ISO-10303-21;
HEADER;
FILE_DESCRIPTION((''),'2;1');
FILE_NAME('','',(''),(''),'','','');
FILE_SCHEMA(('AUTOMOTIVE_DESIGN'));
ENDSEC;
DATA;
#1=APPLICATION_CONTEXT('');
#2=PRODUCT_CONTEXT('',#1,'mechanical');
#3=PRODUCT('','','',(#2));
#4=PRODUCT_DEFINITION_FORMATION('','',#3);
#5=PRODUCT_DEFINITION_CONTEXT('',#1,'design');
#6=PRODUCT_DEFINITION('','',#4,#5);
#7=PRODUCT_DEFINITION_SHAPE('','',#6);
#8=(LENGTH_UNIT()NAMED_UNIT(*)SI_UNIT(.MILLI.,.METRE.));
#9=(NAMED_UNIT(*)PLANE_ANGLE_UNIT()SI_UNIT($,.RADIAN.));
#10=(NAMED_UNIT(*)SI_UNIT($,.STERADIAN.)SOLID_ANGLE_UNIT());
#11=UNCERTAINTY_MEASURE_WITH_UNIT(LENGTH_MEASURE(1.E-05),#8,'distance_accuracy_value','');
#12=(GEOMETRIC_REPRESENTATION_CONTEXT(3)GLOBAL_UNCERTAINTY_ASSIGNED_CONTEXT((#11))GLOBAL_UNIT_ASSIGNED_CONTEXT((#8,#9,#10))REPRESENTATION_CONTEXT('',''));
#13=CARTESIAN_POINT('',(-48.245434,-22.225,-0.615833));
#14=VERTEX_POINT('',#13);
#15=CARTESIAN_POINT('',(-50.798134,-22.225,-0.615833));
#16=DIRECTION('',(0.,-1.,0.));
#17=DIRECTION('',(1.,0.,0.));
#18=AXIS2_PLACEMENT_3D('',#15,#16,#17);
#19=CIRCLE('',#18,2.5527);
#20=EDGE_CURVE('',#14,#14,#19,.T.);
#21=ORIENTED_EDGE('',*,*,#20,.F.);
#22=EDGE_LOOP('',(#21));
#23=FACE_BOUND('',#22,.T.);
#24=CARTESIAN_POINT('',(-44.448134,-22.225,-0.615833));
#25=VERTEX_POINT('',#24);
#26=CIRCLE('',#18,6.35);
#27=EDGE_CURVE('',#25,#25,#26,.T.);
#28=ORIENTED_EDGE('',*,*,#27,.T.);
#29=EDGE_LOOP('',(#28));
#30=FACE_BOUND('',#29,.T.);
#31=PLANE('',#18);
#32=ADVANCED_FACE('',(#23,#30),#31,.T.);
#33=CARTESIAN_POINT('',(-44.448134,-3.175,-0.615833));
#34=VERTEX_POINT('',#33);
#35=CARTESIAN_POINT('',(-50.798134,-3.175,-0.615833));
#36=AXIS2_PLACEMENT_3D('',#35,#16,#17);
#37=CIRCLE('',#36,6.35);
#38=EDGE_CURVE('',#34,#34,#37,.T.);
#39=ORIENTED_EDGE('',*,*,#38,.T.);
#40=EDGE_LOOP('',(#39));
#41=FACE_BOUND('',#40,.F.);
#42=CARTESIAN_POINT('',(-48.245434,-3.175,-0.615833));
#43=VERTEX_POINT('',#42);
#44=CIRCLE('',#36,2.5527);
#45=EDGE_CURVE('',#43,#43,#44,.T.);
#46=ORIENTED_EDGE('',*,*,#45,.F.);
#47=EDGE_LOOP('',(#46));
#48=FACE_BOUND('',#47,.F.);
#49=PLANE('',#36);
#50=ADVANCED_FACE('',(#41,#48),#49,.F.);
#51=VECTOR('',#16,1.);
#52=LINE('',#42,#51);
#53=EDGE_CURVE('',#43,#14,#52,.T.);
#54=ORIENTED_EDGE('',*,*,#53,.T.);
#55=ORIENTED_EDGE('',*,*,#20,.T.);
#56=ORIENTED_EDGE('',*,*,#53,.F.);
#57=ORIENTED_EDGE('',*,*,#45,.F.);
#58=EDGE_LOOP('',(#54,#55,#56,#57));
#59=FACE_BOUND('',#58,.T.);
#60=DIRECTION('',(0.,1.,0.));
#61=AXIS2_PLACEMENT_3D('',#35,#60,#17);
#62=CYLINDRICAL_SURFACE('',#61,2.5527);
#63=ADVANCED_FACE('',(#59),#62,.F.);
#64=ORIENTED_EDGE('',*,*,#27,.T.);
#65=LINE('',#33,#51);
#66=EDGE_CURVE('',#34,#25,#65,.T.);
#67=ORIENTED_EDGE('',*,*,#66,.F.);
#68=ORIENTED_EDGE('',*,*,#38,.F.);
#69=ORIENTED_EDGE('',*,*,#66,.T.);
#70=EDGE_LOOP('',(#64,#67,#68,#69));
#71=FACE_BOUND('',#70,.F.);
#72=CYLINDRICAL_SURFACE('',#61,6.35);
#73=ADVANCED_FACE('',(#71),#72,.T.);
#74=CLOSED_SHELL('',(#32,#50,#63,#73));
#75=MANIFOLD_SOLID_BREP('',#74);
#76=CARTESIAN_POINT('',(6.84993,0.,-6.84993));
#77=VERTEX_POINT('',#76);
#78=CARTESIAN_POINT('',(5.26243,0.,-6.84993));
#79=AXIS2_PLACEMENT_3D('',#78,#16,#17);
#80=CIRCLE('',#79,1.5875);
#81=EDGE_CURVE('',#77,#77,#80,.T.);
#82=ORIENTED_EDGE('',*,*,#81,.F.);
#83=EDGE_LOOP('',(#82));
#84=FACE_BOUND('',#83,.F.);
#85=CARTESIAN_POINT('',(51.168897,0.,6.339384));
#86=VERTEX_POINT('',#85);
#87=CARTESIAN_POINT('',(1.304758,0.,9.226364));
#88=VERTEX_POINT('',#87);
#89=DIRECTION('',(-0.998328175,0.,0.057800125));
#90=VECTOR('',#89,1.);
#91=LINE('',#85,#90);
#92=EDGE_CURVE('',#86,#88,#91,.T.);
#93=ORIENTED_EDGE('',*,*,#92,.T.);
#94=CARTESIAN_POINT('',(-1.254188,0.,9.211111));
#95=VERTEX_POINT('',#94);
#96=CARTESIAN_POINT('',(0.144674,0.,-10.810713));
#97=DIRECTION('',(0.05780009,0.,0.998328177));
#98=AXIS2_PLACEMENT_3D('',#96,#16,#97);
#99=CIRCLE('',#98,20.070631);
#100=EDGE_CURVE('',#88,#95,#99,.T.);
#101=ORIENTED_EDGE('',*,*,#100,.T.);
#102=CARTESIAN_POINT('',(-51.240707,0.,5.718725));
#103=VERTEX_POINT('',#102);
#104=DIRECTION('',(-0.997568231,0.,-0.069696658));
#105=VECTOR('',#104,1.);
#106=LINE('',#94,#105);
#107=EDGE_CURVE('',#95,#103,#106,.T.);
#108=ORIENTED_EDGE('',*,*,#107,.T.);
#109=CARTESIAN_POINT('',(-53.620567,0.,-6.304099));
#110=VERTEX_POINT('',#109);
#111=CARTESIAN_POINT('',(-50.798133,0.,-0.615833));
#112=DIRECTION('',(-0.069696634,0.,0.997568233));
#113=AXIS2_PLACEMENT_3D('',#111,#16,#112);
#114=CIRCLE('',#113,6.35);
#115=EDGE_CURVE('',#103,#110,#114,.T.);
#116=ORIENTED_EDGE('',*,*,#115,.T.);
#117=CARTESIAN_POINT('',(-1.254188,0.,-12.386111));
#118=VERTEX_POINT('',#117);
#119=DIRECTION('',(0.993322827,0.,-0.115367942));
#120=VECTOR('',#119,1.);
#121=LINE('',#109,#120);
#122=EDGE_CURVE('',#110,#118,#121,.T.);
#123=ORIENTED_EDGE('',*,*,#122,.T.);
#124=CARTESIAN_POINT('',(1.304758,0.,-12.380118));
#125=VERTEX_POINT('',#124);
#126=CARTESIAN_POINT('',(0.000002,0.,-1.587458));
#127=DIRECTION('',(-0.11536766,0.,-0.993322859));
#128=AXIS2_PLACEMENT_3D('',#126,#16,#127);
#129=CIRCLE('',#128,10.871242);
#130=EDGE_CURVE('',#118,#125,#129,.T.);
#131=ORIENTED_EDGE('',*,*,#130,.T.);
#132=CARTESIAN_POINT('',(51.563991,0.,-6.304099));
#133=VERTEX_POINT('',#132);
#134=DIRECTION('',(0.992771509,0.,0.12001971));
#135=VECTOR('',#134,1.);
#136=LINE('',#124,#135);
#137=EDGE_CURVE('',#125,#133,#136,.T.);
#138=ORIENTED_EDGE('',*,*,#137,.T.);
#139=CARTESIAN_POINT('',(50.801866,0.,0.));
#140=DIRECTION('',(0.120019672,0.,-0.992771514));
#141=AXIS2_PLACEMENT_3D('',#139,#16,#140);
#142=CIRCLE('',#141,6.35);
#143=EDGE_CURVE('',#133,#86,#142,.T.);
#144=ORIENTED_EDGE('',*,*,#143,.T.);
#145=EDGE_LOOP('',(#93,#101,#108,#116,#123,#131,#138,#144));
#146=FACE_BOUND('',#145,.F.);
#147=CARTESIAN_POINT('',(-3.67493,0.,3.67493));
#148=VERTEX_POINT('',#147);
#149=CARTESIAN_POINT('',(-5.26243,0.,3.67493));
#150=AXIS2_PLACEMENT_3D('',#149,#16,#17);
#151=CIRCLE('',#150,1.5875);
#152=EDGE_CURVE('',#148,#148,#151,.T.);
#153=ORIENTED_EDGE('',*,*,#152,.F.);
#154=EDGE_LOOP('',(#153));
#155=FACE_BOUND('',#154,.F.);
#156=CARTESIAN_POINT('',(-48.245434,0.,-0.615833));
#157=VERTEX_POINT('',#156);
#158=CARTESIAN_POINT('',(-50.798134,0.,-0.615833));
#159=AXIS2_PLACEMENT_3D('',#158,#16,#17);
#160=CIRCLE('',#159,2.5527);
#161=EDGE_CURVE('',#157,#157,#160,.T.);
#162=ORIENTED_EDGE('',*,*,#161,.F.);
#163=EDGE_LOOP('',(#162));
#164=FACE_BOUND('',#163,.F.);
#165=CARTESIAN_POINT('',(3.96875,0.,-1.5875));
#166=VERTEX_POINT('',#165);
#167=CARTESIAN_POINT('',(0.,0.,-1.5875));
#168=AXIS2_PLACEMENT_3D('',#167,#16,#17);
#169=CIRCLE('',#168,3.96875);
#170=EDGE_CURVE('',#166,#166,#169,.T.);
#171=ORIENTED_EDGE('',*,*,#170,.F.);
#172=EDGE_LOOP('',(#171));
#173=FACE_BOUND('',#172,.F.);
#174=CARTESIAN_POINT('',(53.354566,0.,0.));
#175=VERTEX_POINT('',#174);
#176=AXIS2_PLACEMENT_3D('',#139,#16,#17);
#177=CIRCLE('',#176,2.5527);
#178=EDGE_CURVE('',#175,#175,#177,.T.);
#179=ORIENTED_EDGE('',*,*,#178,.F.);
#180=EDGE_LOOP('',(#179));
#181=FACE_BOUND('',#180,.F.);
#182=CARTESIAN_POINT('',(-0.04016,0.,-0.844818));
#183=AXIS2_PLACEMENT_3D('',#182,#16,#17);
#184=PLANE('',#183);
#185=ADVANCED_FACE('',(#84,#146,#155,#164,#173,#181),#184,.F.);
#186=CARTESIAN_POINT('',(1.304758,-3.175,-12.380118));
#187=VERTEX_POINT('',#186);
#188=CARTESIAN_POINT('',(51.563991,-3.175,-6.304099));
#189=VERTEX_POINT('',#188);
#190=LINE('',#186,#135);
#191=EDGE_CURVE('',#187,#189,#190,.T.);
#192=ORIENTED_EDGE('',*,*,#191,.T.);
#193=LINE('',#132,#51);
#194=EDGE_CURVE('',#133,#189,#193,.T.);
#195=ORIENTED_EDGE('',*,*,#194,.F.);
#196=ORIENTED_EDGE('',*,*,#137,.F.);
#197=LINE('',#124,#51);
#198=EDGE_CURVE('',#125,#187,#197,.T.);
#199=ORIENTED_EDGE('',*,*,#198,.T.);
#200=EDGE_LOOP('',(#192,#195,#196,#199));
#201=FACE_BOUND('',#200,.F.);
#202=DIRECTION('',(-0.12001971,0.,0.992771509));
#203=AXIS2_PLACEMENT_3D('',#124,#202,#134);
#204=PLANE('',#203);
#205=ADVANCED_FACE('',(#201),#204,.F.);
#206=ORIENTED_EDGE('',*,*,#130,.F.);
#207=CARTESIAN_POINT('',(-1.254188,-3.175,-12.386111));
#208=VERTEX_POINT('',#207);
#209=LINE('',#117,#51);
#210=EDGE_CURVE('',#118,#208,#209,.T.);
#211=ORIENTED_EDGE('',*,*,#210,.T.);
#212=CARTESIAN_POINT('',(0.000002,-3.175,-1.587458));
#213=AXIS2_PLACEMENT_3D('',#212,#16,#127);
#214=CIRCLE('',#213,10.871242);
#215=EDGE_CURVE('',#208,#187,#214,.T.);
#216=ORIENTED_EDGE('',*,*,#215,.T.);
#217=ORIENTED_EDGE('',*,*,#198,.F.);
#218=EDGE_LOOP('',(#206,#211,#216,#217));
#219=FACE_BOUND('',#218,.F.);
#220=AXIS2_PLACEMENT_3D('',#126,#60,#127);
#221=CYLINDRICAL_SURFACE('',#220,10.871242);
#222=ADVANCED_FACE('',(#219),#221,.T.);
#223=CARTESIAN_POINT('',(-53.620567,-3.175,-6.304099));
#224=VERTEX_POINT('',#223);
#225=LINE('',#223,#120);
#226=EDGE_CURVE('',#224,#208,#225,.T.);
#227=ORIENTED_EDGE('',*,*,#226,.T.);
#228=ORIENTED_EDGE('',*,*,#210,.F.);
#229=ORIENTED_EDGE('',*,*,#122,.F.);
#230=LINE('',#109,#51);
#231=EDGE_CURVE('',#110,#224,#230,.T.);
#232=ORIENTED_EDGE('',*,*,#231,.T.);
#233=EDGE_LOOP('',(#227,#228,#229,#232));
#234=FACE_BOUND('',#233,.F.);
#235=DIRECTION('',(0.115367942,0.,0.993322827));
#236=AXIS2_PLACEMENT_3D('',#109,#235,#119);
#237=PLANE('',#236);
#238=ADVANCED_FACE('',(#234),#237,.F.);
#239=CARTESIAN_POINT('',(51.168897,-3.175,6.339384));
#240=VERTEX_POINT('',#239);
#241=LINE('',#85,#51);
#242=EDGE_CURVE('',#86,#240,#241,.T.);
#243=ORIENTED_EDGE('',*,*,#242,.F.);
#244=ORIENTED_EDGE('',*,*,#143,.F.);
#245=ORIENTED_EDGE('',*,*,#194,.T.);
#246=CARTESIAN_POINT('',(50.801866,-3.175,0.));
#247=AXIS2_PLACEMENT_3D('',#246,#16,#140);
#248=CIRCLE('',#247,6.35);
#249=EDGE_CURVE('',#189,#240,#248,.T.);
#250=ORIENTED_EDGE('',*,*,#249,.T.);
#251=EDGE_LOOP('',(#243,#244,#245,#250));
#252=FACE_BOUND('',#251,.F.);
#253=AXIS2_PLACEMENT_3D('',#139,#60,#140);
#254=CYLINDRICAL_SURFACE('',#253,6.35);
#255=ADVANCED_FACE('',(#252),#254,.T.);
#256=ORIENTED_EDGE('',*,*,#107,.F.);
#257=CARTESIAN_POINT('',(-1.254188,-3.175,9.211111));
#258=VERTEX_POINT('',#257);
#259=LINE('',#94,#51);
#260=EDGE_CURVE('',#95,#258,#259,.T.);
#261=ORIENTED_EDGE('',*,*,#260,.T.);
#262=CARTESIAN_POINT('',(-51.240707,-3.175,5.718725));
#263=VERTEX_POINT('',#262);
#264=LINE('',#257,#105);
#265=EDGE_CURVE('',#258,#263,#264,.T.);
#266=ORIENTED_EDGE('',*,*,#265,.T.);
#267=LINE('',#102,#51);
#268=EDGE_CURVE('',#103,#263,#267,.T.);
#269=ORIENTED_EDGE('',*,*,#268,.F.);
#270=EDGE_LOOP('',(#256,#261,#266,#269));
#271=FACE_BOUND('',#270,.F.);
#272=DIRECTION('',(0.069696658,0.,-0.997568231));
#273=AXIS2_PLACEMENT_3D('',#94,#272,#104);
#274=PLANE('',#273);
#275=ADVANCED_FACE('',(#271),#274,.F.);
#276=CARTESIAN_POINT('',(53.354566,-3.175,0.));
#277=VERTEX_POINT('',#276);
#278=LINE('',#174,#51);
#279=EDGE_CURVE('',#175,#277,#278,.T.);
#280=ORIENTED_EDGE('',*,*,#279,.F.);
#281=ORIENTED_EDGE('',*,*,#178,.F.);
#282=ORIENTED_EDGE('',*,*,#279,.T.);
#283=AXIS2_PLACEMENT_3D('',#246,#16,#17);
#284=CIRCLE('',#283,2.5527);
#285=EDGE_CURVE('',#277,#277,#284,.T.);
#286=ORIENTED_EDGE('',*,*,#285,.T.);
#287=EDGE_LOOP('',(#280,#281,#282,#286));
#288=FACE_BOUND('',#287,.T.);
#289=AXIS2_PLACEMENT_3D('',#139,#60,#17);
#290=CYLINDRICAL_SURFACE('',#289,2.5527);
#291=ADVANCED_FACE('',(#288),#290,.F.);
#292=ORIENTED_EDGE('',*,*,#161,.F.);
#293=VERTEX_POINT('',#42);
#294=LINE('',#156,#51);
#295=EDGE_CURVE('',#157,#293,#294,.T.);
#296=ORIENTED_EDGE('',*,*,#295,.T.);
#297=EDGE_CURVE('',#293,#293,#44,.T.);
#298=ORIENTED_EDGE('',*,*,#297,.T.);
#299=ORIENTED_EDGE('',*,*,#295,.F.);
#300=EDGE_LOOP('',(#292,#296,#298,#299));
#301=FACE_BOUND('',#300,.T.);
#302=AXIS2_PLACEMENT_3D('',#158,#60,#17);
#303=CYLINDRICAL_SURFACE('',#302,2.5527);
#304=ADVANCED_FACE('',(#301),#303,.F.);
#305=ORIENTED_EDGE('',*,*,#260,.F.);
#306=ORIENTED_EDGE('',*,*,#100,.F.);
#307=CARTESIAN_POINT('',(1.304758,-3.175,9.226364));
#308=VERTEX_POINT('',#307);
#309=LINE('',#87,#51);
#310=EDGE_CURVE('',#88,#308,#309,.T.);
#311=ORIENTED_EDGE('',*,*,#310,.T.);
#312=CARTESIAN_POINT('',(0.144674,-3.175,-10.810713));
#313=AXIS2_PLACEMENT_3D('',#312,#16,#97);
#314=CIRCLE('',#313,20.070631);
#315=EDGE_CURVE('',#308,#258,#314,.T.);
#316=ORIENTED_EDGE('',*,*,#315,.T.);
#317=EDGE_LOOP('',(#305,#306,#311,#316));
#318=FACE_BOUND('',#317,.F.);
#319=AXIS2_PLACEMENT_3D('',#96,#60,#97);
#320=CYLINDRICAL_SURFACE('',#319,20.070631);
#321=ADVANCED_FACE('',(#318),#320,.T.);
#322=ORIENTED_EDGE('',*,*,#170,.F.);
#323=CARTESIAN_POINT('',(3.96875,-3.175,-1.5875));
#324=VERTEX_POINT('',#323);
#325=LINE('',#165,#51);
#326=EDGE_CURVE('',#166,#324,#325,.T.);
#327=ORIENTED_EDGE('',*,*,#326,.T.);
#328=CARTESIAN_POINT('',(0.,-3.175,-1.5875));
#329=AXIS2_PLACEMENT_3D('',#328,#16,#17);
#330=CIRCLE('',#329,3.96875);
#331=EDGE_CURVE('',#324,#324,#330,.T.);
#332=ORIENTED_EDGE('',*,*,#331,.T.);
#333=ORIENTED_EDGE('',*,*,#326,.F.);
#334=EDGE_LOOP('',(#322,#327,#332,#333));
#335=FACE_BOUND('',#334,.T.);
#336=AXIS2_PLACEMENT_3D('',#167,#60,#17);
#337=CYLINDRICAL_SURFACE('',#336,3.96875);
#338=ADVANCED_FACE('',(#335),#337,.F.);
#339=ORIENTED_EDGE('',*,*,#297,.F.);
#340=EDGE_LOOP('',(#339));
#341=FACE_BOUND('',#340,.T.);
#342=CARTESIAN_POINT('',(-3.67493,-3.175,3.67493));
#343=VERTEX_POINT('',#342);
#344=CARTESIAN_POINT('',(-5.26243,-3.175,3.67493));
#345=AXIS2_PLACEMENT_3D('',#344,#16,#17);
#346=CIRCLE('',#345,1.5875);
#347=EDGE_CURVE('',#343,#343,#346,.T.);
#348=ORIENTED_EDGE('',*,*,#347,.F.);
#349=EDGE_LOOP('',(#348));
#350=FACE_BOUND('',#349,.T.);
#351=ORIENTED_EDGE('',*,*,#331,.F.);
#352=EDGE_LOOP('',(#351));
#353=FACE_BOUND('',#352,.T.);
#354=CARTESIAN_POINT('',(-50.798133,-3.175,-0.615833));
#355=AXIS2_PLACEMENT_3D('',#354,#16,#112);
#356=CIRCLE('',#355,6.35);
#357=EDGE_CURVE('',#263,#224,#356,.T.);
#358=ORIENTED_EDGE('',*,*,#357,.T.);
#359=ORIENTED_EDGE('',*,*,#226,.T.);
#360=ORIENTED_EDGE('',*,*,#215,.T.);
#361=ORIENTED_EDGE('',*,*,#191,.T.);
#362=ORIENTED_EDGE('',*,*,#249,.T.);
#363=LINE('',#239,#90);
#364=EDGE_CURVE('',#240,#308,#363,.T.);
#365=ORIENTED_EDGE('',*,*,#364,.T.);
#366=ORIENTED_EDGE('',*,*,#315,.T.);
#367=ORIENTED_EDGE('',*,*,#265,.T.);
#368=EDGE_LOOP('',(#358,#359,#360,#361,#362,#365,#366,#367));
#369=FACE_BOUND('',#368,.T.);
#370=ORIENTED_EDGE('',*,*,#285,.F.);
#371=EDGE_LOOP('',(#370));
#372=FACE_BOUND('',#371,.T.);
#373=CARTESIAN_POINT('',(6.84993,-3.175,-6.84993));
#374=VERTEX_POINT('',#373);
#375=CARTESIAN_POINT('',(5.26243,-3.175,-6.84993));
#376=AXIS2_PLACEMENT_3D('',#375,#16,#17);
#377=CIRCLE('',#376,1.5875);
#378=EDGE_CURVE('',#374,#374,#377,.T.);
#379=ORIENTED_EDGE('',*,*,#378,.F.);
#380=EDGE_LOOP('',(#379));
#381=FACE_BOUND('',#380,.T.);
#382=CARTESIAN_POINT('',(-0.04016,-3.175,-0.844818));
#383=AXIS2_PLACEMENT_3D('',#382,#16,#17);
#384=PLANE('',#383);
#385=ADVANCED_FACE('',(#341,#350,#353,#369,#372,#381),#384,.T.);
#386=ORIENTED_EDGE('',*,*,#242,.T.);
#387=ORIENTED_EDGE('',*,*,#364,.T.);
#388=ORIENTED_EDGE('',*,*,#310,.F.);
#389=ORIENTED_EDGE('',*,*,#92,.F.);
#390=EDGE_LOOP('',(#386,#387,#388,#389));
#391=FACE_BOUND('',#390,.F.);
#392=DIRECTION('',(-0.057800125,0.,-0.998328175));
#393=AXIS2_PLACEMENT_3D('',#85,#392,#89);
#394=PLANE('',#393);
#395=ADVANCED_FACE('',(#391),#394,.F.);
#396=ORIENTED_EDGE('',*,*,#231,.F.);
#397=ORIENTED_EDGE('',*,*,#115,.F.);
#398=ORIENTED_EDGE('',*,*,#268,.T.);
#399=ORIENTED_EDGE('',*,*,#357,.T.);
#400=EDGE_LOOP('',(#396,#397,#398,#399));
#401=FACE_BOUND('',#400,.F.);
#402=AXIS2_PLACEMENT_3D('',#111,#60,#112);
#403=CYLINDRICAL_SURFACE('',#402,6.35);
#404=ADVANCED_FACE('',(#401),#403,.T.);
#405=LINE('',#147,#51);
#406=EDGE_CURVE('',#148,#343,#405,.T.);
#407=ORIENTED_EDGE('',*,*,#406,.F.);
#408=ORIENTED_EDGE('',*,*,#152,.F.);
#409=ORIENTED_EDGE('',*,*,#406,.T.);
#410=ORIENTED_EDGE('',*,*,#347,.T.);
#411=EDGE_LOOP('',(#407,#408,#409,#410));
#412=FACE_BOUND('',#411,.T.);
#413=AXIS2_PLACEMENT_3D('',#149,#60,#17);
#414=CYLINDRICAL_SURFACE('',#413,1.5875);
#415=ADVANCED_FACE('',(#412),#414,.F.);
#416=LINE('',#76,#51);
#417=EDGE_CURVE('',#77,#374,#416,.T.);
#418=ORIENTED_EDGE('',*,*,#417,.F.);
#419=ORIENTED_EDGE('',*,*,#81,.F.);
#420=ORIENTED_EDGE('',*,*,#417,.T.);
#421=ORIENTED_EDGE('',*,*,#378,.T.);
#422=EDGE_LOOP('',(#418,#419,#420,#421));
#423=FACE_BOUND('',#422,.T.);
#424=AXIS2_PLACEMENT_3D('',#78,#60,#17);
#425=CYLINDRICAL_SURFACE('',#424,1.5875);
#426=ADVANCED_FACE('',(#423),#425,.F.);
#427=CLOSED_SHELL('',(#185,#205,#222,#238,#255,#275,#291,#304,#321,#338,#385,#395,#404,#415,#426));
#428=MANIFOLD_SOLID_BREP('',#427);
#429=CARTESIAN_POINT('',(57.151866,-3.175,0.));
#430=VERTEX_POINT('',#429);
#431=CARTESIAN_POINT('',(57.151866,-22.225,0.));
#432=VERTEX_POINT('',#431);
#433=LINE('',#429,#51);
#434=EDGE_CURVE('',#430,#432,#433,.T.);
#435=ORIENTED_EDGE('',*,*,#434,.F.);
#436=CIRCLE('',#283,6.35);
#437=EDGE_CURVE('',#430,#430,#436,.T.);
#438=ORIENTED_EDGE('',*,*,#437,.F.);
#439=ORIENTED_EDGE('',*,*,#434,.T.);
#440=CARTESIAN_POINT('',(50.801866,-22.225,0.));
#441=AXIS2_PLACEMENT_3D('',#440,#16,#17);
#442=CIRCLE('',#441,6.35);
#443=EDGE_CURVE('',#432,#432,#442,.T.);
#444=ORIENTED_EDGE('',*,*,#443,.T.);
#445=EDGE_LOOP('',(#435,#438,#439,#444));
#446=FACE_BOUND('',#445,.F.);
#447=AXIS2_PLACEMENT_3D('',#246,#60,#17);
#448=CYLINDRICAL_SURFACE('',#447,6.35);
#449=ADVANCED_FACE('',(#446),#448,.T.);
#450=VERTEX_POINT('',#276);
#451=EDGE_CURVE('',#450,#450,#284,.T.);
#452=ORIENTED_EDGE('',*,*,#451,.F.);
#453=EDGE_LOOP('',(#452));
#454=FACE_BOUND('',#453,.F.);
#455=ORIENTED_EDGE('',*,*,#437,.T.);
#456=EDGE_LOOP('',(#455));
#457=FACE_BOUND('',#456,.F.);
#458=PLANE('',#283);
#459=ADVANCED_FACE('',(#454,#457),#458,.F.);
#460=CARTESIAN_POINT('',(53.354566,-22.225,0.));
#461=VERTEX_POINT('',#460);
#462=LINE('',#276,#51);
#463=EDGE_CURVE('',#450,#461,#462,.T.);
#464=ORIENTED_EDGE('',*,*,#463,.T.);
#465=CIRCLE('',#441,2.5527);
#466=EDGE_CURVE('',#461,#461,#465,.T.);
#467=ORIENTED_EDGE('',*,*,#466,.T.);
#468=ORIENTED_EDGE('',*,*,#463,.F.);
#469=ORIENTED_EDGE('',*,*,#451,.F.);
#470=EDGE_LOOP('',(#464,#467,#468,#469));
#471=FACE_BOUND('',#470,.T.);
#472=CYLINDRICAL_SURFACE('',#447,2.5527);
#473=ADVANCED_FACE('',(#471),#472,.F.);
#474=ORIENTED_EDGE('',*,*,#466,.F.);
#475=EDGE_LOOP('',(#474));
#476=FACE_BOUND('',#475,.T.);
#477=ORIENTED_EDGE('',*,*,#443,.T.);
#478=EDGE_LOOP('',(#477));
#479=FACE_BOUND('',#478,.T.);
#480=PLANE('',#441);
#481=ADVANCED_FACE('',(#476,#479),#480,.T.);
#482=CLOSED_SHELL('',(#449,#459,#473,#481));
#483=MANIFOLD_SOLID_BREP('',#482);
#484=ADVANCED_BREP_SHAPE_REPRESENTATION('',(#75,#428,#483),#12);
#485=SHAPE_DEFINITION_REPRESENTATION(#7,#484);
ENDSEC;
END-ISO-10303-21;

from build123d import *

# Parameters (mm, degrees)
F0_R     = 1.5875
F0_R_2   = 2.5527
F0_R_3   = 3.96875
F1_DEPTH = 3.175
F2_R     = 6.35
F2_R_2   = 2.5527
F3_DEPTH = 19.05


with BuildPart() as f1:
    # F0 (on Front) → F1 (new body)
    with BuildSketch(Plane.XZ):
        with BuildLine():
            Line((-1.254188, 9.211111), (-51.240707, 5.718725))
            ThreePointArc((-51.240707, 5.718725), (-57.02727, 0.617194), (-53.620567, -6.304099))
            Line((-53.620567, -6.304099), (-1.254188, -12.386111))
            ThreePointArc((-1.254188, -12.386111), (0.025462, -12.45867), (1.304758, -12.380118))
            Line((1.304758, -12.380118), (51.563991, -6.304099))
            ThreePointArc((51.563991, -6.304099), (57.148768, 0.198333), (51.168897, 6.339384))
            Line((51.168897, 6.339384), (1.304758, 9.226364))
            ThreePointArc((1.304758, 9.226364), (0.025042, 9.259562), (-1.254188, 9.211111))
        make_face()
        with Locations((5.26243, -6.84993)):
            Circle(F0_R, mode=Mode.SUBTRACT)
        with Locations((-50.798134, -0.615833)):
            Circle(F0_R_2, mode=Mode.SUBTRACT)
        with Locations((0, -1.5875)):
            Circle(F0_R_3, mode=Mode.SUBTRACT)
        with Locations((-5.26243, 3.67493)):
            Circle(F0_R, mode=Mode.SUBTRACT)
        with Locations((50.801866, 0)):
            Circle(F0_R_2, mode=Mode.SUBTRACT)
    extrude(amount=F1_DEPTH)


with BuildPart() as f3:
    # F2 (on face) → F3 (new body)
    with BuildSketch(Plane.XZ.offset(3.175)):
        with Locations((-50.798134, -0.615833)):
            Circle(F2_R)
        with Locations((-50.798134, -0.615833)):
            Circle(F2_R_2, mode=Mode.SUBTRACT)
        with Locations((50.801866, 0)):
            Circle(F2_R)
        with Locations((50.801866, 0)):
            Circle(F2_R_2, mode=Mode.SUBTRACT)
    extrude(amount=F3_DEPTH)


solid = Compound([f1.part, f3.part])
